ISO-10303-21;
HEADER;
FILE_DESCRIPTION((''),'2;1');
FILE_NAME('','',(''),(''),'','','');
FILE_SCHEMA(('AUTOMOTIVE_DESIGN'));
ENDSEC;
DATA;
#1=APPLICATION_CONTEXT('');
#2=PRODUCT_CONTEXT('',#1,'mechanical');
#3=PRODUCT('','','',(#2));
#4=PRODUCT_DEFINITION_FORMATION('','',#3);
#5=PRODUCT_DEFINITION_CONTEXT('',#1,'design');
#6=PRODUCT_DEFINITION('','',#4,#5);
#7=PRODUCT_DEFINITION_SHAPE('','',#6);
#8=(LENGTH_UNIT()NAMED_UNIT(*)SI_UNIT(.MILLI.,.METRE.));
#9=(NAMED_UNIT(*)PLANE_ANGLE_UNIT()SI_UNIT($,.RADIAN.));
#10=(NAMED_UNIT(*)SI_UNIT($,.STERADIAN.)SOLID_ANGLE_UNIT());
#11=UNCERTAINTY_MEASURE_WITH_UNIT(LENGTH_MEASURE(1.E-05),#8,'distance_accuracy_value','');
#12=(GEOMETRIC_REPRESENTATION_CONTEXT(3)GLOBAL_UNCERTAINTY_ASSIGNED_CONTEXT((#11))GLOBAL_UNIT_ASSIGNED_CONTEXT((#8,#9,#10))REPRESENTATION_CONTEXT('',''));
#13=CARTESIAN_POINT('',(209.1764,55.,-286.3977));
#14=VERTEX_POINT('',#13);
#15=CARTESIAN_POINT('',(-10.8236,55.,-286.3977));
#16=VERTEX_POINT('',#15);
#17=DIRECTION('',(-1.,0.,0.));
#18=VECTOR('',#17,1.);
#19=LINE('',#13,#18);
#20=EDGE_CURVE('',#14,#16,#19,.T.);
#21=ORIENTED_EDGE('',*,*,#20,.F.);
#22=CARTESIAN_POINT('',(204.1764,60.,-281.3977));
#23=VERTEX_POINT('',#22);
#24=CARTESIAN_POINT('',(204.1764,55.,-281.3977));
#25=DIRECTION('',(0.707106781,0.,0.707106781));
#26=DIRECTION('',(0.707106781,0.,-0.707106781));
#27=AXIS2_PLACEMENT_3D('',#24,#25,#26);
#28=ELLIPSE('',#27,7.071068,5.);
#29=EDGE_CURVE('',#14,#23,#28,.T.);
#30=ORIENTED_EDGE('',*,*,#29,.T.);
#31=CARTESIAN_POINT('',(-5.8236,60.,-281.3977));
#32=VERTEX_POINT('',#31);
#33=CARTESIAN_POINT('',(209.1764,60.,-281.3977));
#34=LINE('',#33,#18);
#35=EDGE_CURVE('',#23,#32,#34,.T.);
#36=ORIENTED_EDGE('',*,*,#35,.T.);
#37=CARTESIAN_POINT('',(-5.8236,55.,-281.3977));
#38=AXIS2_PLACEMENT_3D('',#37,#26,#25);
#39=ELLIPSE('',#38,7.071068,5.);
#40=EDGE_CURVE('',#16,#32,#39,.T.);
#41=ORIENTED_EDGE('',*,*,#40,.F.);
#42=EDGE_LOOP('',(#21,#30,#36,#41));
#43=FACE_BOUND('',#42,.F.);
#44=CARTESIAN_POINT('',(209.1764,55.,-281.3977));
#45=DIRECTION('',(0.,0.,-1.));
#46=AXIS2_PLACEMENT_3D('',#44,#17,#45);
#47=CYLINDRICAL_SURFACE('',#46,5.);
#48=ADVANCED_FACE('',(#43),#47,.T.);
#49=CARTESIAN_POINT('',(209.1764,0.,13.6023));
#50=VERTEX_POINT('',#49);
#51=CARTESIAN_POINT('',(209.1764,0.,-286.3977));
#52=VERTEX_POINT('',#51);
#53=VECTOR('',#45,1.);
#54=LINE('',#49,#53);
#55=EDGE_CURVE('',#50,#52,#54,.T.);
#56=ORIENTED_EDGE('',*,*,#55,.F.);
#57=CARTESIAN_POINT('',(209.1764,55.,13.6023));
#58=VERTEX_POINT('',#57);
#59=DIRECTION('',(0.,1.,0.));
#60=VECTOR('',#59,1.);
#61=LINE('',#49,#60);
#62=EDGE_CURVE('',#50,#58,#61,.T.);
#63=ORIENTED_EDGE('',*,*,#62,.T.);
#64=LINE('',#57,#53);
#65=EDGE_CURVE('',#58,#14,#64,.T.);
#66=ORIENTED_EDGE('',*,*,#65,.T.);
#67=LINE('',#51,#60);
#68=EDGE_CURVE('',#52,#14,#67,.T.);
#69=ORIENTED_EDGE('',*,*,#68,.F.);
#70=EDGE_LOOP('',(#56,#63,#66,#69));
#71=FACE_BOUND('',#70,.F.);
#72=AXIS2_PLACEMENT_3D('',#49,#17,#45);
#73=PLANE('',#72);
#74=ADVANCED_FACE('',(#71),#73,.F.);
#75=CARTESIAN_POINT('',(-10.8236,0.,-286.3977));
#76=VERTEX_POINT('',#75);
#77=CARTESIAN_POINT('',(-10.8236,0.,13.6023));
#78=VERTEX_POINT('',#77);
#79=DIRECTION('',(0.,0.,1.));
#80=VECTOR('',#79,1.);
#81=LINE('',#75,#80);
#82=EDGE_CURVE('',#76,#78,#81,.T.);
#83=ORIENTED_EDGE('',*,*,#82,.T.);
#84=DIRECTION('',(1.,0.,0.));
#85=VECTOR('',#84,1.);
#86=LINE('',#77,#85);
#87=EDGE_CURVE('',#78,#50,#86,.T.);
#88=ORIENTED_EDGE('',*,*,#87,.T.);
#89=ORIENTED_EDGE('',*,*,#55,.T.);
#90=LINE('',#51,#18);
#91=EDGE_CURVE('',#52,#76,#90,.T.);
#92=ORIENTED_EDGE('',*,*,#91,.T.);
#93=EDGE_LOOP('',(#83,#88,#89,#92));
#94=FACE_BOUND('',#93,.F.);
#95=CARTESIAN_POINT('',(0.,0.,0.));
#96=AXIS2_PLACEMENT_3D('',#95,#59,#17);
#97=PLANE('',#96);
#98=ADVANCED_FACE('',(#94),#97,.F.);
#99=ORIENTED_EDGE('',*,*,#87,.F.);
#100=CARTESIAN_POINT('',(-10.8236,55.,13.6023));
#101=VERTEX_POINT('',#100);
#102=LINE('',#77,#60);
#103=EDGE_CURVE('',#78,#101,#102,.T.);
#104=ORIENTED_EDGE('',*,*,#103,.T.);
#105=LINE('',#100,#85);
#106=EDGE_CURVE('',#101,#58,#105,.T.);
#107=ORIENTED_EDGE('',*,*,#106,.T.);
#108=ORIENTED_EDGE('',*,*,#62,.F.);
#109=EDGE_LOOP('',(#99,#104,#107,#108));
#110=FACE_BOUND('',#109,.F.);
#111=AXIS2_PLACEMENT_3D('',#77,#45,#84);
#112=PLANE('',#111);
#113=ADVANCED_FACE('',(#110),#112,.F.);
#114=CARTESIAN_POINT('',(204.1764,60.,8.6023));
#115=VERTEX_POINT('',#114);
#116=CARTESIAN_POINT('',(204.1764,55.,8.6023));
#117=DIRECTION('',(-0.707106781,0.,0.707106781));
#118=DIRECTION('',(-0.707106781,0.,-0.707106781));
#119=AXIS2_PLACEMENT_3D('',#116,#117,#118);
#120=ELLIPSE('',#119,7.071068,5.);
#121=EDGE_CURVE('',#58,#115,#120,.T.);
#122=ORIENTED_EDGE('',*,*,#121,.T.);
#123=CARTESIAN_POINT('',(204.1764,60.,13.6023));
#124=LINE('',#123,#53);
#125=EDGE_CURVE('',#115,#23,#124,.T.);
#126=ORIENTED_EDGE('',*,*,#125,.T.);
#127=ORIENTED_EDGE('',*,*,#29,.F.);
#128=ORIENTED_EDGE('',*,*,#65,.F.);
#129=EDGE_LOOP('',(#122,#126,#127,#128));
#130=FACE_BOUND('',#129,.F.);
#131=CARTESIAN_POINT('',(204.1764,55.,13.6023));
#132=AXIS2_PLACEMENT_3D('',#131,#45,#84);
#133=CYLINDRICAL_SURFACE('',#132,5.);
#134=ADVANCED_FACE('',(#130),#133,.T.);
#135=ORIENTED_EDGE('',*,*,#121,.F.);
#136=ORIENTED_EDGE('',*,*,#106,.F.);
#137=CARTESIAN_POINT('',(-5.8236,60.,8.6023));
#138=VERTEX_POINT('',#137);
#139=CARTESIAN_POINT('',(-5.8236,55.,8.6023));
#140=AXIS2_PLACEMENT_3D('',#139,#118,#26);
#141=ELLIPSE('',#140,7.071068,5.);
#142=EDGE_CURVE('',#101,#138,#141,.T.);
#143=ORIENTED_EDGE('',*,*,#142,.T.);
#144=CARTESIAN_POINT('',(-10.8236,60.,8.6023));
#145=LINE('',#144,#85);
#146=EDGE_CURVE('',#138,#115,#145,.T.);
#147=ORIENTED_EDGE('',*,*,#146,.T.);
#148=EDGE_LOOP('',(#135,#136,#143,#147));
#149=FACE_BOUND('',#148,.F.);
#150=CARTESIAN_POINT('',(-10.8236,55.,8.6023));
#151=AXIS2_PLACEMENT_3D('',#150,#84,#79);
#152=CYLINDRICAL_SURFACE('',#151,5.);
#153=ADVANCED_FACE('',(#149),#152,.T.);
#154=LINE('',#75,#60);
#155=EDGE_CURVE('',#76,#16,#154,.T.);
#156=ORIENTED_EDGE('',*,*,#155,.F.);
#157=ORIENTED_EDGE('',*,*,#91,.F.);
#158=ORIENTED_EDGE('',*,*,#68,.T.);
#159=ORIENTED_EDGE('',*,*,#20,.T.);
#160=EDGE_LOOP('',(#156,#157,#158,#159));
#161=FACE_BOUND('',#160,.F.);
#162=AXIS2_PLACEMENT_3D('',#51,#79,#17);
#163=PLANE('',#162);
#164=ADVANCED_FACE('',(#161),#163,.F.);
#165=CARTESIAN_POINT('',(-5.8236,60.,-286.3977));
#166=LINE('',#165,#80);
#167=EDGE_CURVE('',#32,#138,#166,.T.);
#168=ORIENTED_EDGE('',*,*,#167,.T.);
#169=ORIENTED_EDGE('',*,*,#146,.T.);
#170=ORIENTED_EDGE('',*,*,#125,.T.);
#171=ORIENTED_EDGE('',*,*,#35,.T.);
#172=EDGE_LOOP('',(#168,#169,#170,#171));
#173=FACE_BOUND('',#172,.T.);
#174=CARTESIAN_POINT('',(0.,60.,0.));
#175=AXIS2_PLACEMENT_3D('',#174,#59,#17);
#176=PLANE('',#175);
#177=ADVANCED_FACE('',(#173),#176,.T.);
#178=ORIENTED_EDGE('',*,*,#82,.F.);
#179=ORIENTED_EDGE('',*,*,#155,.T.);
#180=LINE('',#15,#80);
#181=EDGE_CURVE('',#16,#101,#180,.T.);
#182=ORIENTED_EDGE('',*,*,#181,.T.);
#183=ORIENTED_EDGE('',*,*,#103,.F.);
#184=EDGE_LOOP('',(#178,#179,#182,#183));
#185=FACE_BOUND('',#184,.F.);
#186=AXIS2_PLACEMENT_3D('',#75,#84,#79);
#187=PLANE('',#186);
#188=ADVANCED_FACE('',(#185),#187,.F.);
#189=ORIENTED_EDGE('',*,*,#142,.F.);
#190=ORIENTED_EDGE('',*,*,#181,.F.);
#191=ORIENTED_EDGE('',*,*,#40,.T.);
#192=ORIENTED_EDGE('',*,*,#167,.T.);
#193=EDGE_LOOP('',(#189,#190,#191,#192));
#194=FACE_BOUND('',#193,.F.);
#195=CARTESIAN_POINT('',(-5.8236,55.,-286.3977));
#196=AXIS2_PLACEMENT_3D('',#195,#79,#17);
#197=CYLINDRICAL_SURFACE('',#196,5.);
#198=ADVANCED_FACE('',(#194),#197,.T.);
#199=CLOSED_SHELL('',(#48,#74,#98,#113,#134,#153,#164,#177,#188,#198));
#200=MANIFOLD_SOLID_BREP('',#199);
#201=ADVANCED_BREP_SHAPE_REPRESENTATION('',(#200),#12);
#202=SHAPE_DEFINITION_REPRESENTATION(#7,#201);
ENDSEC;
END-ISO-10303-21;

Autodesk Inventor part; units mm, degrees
ref_plane "YZ Plane" through (0, 0, 0) normal (1, 0, 0) x (0, 1, 0)
ref_plane "XZ Plane" through (0, 0, 0) normal (0, 1, 0) x (-1, 0, 0)
ref_plane "XY Plane" through (0, 0, 0) normal (0, 0, 1) x (1, 0, 0)
sketch "Sketch1" plane through (0, 0, 0) normal (0, 1, 0) x (-1, 0, 0)
  line L0 (10.8236, 13.6023) -> (-209.1764, 13.6023)
  line L1 (-209.1764, 13.6023) -> (-209.1764, -286.3977)
  line L2 (-209.1764, -286.3977) -> (10.8236, -286.3977)
  line L3 (10.8236, -286.3977) -> (10.8236, 13.6023)
  point P0 (0, 0)
  dimension "d0" = 220
  dimension "d1" = 300
extrude "Extrusion1" add sketch "Sketch1" along normal blind 60
fillet "Fillet1" radius 5 1 edges at (209.1764, 60, -136.3977)
fillet "Fillet1" radius 5 1 edges at (99.1764, 60, 13.6023)
fillet "Fillet1" radius 5 1 edges at (-10.8236, 60, -136.3977)
fillet "Fillet1" radius 5 1 edges at (99.1764, 60, -286.3977)
properties part number "phan1_cuaTrung"
